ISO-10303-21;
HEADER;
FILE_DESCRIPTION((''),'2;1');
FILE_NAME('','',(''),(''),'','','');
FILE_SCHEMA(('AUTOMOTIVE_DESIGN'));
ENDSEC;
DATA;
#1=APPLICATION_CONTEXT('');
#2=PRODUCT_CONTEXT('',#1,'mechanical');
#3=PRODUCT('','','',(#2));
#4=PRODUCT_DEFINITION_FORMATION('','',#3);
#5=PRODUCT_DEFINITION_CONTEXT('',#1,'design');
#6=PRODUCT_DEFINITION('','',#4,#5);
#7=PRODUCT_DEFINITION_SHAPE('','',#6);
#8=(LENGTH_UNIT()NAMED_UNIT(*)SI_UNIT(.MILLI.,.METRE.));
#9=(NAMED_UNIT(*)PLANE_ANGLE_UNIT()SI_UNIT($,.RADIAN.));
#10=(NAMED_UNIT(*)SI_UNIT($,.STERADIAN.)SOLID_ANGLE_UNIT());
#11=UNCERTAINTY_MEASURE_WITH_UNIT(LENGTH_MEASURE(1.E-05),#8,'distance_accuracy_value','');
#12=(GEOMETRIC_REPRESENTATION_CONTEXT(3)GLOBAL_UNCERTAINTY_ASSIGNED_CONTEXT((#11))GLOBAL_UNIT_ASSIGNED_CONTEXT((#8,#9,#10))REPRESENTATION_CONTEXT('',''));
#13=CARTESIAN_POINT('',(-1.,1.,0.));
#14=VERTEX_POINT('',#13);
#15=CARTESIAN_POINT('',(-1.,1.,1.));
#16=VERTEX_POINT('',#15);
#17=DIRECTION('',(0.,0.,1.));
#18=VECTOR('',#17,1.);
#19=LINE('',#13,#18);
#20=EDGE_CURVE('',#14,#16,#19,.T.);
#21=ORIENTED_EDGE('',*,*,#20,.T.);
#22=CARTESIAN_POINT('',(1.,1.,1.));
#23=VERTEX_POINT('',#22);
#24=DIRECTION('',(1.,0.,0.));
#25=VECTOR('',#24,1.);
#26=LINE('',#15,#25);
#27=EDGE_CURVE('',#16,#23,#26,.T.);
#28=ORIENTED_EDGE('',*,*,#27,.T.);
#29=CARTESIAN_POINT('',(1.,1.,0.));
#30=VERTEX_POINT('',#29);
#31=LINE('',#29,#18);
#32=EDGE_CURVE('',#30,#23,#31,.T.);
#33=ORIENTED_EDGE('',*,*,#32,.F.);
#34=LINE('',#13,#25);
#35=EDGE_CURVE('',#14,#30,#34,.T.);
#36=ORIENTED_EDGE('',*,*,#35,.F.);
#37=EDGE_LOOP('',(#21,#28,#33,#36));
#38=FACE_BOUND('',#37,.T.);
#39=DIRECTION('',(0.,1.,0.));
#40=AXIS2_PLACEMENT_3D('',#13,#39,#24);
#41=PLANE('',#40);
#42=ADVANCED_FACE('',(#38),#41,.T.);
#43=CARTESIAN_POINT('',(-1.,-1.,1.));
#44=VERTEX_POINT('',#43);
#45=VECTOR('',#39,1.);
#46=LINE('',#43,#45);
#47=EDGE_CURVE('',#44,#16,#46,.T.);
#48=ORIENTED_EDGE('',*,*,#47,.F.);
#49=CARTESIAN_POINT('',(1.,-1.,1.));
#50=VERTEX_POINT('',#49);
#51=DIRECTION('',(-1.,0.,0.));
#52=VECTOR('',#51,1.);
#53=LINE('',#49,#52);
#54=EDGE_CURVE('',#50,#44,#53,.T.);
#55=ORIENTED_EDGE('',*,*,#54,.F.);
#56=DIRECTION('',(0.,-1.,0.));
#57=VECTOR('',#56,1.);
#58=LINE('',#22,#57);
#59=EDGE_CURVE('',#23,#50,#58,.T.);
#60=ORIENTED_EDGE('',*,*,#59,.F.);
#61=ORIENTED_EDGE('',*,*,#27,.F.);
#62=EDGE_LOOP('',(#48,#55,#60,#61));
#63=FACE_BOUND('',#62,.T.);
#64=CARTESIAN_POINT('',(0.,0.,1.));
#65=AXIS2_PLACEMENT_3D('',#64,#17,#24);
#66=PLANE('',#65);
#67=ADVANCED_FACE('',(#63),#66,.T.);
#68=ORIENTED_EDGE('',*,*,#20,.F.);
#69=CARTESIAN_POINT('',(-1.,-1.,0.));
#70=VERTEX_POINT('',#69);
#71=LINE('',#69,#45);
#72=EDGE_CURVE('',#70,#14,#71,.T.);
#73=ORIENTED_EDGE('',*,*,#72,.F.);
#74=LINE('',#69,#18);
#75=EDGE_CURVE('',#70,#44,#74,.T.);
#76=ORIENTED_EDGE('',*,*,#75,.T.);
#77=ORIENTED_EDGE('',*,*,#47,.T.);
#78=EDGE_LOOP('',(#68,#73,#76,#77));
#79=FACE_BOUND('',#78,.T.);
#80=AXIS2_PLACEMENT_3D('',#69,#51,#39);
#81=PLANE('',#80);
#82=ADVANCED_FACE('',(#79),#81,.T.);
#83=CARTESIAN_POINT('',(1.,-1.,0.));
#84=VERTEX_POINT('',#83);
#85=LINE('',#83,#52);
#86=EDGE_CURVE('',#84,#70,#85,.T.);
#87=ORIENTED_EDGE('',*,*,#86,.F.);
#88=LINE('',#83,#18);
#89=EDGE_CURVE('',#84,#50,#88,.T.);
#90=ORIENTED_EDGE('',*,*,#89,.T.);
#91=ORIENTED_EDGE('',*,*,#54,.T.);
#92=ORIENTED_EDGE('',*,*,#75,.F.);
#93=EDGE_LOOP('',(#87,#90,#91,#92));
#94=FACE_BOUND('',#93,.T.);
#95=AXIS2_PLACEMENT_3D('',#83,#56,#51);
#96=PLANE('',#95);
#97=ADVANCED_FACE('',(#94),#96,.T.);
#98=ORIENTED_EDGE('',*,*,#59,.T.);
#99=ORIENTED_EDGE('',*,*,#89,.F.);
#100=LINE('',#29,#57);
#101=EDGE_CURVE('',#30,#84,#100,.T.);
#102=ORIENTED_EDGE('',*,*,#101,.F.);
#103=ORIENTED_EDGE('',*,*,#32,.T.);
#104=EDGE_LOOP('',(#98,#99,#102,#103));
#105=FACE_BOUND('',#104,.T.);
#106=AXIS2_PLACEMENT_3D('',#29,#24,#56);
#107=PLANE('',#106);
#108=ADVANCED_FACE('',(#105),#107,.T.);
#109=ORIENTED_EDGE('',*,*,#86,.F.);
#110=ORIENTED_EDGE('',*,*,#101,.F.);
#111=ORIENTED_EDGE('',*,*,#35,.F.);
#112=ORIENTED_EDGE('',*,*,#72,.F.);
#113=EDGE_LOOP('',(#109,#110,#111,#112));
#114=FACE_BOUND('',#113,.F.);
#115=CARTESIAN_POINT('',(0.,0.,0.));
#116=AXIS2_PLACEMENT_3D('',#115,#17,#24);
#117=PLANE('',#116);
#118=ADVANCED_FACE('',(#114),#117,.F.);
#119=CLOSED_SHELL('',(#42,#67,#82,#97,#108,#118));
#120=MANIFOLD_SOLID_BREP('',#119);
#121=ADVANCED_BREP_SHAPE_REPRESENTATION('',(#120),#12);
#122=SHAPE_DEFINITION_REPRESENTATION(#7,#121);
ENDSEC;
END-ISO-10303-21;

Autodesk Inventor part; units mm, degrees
ref_plane "YZ Plane" through (0, 0, 0) normal (1, 0, 0) x (0, 1, 0)
ref_plane "XZ Plane" through (0, 0, 0) normal (0, 1, 0) x (-1, 0, 0)
ref_plane "XY Plane" through (0, 0, 0) normal (0, 0, 1) x (1, 0, 0)
sketch "FIDUCIAL-1X2, FIDUCIAL1X2_19" plane through (0, 0, 0) normal (0, 0, 1) x (1, 0, 0)
  line L0 (1, -1) -> (-1, -1)
  line L1 (-1, -1) -> (-1, 1)
  line L2 (-1, 1) -> (1, 1)
  line L3 (1, 1) -> (1, -1)
extrude "Extrusion1" add sketch "FIDUCIAL-1X2, FIDUCIAL1X2_19" along normal blind 1
properties part number "FIDUCIAL1X2"
